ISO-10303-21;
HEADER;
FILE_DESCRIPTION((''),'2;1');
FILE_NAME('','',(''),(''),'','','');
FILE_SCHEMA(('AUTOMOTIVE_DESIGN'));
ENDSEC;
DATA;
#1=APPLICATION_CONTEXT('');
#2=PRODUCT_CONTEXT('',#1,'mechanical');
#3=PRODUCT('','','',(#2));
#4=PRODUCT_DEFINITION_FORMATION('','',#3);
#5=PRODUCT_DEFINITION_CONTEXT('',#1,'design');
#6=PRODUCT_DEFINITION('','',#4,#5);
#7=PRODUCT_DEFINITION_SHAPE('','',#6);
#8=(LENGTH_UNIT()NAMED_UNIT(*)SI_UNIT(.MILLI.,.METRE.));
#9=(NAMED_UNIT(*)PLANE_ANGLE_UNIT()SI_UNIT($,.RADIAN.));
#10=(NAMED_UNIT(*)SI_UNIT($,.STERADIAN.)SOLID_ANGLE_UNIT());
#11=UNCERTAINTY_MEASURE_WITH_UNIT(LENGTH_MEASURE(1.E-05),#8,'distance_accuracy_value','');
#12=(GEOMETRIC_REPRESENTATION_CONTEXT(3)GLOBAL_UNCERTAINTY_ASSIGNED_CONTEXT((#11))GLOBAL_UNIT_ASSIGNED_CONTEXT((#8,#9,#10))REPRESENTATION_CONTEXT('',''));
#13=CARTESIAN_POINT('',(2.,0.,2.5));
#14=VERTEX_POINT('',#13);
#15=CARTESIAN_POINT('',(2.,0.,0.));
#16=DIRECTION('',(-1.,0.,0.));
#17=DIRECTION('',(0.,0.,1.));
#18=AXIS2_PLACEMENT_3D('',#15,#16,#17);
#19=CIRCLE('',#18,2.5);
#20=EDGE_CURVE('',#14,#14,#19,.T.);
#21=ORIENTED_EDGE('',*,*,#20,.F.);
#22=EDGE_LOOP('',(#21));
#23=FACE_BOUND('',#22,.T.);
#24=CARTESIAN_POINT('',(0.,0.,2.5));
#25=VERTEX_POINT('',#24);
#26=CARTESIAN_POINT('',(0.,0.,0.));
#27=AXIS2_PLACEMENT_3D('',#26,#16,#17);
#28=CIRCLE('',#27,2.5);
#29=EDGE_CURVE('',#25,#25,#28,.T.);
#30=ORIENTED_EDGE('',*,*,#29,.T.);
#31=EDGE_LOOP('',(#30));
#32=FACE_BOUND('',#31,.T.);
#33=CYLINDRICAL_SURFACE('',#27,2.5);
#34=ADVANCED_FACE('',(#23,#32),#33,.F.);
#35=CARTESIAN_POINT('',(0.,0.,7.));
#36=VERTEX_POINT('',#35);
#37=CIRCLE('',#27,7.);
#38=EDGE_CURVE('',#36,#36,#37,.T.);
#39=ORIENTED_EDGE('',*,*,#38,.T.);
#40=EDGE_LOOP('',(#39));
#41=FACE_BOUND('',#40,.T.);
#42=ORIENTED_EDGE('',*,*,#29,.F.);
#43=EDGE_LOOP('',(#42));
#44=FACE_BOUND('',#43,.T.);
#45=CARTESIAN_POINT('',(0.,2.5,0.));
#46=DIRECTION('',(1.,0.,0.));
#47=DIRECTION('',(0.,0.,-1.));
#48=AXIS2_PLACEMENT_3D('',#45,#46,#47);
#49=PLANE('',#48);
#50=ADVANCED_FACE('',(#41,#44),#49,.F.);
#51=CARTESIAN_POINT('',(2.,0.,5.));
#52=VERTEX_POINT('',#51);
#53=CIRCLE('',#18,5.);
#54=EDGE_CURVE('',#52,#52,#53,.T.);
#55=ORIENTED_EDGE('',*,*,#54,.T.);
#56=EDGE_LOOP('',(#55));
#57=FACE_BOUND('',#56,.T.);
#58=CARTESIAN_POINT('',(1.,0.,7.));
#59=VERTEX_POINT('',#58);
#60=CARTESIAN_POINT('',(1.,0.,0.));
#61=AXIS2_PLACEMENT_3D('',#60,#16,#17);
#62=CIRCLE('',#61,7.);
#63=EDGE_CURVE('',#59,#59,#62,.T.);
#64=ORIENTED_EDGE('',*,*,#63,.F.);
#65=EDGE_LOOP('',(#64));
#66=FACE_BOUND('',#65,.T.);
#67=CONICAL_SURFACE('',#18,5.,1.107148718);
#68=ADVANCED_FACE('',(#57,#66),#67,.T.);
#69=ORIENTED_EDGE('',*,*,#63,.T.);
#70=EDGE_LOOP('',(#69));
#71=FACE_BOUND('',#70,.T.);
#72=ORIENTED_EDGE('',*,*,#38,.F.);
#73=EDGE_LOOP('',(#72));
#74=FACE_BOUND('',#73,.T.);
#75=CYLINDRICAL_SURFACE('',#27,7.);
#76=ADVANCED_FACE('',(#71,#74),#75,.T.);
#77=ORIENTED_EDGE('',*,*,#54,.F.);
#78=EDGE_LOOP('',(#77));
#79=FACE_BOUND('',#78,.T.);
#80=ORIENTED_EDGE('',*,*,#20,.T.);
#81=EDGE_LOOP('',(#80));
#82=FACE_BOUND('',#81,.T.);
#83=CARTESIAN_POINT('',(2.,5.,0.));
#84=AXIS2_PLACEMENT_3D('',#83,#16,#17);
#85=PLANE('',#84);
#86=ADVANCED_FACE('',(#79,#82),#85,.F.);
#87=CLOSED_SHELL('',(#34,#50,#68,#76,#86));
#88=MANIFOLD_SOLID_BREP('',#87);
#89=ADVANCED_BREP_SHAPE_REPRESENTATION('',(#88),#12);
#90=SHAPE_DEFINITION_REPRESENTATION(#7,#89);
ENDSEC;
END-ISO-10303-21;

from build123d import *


with BuildPart() as part:
    # Esquisse1 → Révolution1 (revolve)
    with BuildSketch(Plane.XY, mode=Mode.PRIVATE) as r_volution1_sk:
        Polygon((0, 2.5), (0, 7), (1, 7), (2, 5), (2, 2.5), align=None)
    revolve(r_volution1_sk.sketch.rotate(Axis((0, 0, 0), (1, 0, 0)), 90), axis=Axis((0, 0, 0), (1, 0, 0)))


solid = part.part
